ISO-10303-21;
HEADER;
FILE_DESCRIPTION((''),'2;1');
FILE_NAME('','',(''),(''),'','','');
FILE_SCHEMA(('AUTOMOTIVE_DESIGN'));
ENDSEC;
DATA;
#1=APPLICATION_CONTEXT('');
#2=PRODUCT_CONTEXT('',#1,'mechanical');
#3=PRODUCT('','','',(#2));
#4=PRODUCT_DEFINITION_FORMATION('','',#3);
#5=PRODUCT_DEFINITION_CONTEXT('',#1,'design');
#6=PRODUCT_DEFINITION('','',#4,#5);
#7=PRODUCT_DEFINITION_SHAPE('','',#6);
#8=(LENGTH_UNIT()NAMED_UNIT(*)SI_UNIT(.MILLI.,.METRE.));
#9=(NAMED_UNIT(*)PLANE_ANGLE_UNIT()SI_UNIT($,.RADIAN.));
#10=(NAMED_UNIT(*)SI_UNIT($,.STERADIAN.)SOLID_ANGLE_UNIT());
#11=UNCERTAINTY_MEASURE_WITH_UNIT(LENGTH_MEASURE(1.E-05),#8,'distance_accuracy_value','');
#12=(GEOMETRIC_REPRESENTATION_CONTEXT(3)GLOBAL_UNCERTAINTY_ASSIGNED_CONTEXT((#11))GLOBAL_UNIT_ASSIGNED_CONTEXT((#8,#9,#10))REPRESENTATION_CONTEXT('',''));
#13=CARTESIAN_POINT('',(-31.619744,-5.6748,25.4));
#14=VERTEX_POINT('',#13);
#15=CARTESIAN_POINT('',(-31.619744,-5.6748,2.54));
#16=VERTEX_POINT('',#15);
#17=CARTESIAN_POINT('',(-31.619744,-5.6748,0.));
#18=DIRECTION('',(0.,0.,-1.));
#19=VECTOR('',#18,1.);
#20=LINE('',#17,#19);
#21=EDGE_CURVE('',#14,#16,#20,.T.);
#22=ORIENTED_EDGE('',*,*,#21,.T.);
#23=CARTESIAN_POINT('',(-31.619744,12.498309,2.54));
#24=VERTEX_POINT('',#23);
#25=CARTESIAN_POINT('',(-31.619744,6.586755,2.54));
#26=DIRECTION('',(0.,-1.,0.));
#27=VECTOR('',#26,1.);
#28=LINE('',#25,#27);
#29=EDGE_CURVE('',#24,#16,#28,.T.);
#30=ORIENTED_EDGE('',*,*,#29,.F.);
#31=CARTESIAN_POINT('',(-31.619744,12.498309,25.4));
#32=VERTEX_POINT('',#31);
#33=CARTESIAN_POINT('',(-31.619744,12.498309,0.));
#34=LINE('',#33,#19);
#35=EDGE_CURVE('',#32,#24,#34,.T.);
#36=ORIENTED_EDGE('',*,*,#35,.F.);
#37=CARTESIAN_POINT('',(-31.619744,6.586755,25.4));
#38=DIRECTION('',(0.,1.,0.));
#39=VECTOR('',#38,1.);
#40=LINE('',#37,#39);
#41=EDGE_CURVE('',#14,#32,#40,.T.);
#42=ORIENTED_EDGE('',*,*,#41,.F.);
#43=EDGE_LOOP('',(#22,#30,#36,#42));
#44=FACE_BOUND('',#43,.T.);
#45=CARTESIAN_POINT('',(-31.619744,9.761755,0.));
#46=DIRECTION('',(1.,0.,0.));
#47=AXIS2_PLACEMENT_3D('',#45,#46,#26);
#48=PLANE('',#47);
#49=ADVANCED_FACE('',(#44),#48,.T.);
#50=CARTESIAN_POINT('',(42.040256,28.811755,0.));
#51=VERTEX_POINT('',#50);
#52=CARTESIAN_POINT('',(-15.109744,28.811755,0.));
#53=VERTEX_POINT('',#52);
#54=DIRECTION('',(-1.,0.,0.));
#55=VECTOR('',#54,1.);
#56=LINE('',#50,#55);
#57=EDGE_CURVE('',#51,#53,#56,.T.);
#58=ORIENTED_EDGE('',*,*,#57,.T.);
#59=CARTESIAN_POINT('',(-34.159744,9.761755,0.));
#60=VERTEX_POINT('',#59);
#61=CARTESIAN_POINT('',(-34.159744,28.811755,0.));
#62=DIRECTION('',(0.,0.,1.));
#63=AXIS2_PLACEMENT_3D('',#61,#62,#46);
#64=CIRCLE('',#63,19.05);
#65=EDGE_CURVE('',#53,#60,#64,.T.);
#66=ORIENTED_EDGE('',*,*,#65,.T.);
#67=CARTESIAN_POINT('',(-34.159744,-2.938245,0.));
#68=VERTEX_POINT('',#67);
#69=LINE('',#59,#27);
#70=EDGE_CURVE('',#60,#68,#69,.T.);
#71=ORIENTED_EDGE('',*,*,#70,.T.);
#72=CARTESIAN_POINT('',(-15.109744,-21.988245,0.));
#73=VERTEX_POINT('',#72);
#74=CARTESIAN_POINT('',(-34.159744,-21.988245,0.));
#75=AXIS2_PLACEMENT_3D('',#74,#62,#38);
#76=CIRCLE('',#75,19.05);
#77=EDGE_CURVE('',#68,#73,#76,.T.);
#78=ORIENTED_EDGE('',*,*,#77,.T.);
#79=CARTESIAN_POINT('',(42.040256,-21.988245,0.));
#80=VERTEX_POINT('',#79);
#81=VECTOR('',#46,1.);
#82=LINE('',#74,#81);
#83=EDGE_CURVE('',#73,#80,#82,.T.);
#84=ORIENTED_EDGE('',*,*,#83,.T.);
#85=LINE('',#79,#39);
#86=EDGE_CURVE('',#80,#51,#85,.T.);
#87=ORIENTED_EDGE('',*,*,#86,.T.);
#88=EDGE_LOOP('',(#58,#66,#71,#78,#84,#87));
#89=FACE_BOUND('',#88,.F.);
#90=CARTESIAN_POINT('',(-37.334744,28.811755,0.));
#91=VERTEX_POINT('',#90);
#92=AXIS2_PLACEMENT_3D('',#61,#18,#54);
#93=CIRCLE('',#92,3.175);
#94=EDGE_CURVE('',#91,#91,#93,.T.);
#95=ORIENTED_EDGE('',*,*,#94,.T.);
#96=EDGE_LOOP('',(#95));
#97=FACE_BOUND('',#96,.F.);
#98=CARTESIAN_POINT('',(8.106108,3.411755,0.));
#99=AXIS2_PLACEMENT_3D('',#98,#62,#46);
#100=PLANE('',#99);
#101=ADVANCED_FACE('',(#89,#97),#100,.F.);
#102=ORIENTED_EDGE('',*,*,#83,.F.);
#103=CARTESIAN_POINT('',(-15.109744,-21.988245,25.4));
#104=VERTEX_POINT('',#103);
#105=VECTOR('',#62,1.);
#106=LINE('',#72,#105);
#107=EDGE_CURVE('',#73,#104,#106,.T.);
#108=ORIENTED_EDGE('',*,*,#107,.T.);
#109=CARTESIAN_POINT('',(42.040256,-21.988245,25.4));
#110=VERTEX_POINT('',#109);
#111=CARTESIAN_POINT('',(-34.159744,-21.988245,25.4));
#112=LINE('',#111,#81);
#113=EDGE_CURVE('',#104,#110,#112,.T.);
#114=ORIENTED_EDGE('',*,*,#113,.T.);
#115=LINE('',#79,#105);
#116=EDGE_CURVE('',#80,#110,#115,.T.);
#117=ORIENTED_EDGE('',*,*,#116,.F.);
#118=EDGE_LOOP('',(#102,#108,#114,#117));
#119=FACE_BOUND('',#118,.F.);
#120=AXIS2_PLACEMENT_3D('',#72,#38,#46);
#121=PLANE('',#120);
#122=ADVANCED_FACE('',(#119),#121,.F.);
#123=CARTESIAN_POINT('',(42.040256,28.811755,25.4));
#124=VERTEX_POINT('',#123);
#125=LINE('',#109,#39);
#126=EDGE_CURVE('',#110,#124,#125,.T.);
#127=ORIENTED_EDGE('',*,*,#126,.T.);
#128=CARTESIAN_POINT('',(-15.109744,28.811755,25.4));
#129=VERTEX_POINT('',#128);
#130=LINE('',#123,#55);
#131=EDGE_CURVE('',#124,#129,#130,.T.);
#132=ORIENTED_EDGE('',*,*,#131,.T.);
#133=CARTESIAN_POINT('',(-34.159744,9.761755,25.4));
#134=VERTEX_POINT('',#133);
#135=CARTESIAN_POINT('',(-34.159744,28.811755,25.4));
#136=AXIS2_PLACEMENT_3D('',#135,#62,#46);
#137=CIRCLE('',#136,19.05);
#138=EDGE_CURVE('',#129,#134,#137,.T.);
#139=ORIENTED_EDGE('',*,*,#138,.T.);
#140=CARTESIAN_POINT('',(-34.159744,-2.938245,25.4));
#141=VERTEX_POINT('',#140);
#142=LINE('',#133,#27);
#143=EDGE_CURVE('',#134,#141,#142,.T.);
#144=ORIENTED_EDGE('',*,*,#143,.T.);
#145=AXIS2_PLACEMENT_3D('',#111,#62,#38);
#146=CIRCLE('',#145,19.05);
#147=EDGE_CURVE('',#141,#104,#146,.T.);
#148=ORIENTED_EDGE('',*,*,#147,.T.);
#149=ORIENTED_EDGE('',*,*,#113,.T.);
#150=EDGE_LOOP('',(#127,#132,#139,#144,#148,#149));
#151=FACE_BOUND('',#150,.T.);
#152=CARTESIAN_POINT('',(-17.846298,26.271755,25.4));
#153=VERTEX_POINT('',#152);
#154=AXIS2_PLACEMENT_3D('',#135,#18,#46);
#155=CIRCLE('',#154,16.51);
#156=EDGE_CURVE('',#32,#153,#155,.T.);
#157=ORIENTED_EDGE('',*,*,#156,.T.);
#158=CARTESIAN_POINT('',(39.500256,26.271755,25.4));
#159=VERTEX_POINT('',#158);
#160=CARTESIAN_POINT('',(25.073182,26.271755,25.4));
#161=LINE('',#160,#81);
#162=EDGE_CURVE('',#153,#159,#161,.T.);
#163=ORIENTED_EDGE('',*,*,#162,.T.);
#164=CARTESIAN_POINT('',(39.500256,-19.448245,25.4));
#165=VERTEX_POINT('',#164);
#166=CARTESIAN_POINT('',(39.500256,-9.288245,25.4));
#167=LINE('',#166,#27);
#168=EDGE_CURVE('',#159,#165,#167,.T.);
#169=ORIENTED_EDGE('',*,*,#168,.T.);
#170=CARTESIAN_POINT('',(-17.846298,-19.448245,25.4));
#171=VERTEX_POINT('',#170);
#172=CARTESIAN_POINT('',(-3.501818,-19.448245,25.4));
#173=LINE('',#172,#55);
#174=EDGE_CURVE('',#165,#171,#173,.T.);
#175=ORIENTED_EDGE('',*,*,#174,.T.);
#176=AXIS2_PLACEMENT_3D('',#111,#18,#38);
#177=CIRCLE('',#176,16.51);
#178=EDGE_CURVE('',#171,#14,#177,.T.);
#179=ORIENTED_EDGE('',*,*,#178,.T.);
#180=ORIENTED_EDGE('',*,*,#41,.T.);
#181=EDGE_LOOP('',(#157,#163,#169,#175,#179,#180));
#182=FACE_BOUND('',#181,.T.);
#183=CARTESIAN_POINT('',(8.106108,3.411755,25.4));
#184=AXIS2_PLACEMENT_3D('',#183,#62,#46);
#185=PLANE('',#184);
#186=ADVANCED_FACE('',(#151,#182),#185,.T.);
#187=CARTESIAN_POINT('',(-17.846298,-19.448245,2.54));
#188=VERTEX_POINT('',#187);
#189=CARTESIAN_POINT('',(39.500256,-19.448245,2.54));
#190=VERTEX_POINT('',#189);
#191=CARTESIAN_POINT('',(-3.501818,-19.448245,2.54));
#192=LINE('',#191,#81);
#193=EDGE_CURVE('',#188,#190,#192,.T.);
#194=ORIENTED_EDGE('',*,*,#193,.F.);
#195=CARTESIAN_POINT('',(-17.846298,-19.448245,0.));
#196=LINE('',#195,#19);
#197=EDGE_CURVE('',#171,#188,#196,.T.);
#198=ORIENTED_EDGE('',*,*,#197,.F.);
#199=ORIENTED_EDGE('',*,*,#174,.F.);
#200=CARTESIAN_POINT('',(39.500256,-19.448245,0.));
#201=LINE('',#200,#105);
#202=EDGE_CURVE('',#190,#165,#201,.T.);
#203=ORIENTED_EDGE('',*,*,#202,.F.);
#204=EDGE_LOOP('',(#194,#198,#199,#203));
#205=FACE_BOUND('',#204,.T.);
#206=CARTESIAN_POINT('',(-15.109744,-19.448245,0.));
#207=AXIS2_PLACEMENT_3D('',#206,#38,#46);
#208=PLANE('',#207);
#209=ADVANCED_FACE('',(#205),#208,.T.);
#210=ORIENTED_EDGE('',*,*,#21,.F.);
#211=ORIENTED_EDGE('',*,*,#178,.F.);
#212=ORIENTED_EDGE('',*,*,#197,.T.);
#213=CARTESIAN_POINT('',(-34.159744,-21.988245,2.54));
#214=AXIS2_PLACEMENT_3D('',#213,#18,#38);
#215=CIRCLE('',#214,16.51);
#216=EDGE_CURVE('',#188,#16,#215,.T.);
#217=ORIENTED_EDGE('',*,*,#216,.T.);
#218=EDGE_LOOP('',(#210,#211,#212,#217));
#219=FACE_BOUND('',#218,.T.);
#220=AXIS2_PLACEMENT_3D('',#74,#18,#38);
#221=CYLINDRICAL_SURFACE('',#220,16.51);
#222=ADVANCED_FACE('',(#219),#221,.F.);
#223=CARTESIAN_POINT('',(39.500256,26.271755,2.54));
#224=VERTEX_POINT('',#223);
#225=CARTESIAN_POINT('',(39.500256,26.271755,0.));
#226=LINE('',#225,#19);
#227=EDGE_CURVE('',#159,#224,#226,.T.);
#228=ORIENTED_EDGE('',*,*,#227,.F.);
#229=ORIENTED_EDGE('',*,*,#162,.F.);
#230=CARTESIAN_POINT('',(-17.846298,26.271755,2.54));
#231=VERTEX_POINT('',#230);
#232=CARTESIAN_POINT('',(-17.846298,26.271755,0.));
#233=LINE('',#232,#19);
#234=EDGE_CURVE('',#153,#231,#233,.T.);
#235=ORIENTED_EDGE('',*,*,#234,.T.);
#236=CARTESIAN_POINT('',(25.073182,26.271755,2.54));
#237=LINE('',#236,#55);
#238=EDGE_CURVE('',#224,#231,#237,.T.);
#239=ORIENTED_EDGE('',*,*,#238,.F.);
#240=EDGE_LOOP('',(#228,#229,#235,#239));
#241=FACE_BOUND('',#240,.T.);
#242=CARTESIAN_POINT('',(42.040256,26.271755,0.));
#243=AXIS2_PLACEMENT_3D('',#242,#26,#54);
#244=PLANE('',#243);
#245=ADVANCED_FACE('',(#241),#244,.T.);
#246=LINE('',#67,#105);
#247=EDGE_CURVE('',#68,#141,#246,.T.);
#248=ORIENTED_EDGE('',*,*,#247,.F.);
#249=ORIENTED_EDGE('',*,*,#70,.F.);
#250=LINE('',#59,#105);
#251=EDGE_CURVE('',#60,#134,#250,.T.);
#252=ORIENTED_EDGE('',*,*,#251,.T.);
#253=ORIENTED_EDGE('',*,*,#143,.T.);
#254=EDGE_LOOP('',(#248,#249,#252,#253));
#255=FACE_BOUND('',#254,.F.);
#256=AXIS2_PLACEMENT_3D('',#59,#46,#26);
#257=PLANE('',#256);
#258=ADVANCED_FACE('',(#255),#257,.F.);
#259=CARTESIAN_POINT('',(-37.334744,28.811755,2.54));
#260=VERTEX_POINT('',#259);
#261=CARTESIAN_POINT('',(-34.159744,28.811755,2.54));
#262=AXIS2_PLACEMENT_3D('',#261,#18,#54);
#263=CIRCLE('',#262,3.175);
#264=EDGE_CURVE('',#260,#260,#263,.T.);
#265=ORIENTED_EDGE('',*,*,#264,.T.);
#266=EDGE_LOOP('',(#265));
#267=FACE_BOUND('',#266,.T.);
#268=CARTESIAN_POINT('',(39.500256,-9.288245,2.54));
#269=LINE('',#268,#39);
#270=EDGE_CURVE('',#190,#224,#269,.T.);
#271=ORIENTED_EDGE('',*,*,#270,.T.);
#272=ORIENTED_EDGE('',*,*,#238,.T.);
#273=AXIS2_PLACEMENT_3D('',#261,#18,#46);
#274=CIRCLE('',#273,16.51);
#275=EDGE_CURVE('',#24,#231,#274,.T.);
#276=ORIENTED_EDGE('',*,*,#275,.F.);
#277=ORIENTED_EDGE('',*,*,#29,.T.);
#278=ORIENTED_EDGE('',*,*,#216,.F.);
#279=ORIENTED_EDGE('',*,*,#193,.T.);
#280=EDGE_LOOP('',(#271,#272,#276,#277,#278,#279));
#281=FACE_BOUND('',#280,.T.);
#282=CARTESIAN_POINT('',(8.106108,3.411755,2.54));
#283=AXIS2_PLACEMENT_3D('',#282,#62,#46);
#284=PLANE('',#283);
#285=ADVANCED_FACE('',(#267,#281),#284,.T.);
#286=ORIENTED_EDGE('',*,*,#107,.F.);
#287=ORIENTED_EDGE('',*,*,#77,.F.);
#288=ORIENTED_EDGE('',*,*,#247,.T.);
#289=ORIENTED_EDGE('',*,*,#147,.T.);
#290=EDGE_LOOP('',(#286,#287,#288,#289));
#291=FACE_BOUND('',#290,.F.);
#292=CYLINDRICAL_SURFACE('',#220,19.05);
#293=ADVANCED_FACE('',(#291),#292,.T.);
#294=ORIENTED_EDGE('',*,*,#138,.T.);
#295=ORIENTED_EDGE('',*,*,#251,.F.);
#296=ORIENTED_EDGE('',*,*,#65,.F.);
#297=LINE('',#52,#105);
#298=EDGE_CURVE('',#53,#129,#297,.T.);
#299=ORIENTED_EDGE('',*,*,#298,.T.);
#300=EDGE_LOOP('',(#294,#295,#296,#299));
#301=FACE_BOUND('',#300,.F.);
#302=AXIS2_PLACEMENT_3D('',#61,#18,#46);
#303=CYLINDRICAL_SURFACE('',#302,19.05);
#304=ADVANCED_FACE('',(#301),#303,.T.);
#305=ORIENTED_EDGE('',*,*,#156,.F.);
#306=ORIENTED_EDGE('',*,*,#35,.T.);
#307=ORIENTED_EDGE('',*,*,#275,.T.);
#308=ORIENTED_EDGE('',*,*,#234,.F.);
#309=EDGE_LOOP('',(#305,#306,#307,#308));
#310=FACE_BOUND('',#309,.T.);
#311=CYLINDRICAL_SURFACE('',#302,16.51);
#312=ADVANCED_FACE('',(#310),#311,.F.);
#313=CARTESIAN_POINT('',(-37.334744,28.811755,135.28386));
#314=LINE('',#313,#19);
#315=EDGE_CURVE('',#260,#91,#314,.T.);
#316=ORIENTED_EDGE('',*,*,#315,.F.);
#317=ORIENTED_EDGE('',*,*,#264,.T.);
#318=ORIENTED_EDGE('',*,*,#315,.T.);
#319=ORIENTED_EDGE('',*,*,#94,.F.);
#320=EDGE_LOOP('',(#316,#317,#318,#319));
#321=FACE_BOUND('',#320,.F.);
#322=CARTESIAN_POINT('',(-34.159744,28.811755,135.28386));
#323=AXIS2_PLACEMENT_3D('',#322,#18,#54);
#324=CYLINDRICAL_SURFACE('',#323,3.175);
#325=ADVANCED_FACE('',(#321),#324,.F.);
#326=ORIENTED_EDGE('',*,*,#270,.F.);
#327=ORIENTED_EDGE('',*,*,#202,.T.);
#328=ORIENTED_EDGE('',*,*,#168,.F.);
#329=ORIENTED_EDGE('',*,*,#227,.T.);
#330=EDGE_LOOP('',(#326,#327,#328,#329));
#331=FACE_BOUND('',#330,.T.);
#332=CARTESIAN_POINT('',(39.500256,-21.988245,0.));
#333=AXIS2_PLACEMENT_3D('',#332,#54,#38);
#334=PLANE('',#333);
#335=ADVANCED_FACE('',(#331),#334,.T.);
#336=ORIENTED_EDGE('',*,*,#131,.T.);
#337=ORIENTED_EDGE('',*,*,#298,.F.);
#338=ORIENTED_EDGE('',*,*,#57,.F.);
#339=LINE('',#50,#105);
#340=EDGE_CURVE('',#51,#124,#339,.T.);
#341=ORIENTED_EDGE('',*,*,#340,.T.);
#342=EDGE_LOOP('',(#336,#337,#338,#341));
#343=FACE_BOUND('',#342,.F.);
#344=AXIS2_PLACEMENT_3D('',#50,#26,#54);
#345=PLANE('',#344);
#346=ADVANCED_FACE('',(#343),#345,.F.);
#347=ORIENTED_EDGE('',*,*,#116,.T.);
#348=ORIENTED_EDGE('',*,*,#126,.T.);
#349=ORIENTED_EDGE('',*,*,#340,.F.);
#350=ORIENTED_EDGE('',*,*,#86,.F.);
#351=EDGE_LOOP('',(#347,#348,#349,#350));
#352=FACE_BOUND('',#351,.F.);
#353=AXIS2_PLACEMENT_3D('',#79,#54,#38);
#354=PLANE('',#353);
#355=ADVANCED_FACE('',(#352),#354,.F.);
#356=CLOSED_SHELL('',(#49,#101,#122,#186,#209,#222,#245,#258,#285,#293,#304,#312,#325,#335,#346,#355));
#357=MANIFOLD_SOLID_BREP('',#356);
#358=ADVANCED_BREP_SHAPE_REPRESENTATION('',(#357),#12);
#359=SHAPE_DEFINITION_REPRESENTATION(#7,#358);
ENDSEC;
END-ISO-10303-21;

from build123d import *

# Parameters (mm, degrees)
F1_DEPTH = 25.4
F2_T     = -2.54
F4_D     = 6.35


with BuildPart() as f1:
    # F0 (on Top) → F1 (new body)
    with BuildSketch(Plane.XY):
        with BuildLine():
            Line((42.0402561671, 28.8117545512), (-15.1097438329, 28.8117545512))
            ThreePointArc((-15.1097438329, 28.8117545512), (-20.6893596513, 15.3413703696), (-34.1597438329, 9.7617545512))
            Line((-34.1597438329, 9.7617545512), (-34.1597438329, -2.9382454488))
            ThreePointArc((-34.1597438329, -2.9382454488), (-20.6893596513, -8.5178612672), (-15.1097438329, -21.9882454488))
            Line((-15.1097438329, -21.9882454488), (42.0402561671, -21.9882454488))
            Line((42.0402561671, -21.9882454488), (42.0402561671, 28.8117545512))
        make_face()
        with BuildLine():
            ThreePointArc((-15.1097438329, -21.9882454488), (-20.6893596513, -8.5178612672), (-34.1597438329, -2.9382454488))
            Line((-34.1597438329, -2.9382454488), (-34.1597438329, -21.9882454488))
            Line((-34.1597438329, -21.9882454488), (-15.1097438329, -21.9882454488))
        make_face()
        with BuildLine():
            Line((-34.1597438329, -21.9882454488), (-34.1597438329, -2.9382454488))
            ThreePointArc((-34.1597438329, -2.9382454488), (-47.6301280145, -35.4586296304), (-15.1097438329, -21.9882454488))
            Line((-15.1097438329, -21.9882454488), (-34.1597438329, -21.9882454488))
        make_face()
        with BuildLine():
            Line((-34.1597438329, 9.7617545512), (-34.1597438329, 28.8117545512))
            Line((-34.1597438329, 28.8117545512), (-15.1097438329, 28.8117545512))
            ThreePointArc((-15.1097438329, 28.8117545512), (-47.6301280145, 42.2821387328), (-34.1597438329, 9.7617545512))
        make_face()
        with BuildLine():
            Line((-15.1097438329, 28.8117545512), (-34.1597438329, 28.8117545512))
            Line((-34.1597438329, 28.8117545512), (-34.1597438329, 9.7617545512))
            ThreePointArc((-34.1597438329, 9.7617545512), (-20.6893596513, 15.3413703696), (-15.1097438329, 28.8117545512))
        make_face()
    extrude(amount=F1_DEPTH)

    # F2
    f2_openings = [f1.faces().sort_by_distance(p)[0] for p in [
        (-8.559993, 3.411755, 25.4),
    ]]
    offset(amount=F2_T, openings=f2_openings, kind=Kind.INTERSECTION)

    # F4 (through all)
    with Locations(Plane.XY.offset(2.54)):
        with Locations((-34.1597438329, 28.8117545512)):
            Hole(F4_D / 2)


solid = f1.part
